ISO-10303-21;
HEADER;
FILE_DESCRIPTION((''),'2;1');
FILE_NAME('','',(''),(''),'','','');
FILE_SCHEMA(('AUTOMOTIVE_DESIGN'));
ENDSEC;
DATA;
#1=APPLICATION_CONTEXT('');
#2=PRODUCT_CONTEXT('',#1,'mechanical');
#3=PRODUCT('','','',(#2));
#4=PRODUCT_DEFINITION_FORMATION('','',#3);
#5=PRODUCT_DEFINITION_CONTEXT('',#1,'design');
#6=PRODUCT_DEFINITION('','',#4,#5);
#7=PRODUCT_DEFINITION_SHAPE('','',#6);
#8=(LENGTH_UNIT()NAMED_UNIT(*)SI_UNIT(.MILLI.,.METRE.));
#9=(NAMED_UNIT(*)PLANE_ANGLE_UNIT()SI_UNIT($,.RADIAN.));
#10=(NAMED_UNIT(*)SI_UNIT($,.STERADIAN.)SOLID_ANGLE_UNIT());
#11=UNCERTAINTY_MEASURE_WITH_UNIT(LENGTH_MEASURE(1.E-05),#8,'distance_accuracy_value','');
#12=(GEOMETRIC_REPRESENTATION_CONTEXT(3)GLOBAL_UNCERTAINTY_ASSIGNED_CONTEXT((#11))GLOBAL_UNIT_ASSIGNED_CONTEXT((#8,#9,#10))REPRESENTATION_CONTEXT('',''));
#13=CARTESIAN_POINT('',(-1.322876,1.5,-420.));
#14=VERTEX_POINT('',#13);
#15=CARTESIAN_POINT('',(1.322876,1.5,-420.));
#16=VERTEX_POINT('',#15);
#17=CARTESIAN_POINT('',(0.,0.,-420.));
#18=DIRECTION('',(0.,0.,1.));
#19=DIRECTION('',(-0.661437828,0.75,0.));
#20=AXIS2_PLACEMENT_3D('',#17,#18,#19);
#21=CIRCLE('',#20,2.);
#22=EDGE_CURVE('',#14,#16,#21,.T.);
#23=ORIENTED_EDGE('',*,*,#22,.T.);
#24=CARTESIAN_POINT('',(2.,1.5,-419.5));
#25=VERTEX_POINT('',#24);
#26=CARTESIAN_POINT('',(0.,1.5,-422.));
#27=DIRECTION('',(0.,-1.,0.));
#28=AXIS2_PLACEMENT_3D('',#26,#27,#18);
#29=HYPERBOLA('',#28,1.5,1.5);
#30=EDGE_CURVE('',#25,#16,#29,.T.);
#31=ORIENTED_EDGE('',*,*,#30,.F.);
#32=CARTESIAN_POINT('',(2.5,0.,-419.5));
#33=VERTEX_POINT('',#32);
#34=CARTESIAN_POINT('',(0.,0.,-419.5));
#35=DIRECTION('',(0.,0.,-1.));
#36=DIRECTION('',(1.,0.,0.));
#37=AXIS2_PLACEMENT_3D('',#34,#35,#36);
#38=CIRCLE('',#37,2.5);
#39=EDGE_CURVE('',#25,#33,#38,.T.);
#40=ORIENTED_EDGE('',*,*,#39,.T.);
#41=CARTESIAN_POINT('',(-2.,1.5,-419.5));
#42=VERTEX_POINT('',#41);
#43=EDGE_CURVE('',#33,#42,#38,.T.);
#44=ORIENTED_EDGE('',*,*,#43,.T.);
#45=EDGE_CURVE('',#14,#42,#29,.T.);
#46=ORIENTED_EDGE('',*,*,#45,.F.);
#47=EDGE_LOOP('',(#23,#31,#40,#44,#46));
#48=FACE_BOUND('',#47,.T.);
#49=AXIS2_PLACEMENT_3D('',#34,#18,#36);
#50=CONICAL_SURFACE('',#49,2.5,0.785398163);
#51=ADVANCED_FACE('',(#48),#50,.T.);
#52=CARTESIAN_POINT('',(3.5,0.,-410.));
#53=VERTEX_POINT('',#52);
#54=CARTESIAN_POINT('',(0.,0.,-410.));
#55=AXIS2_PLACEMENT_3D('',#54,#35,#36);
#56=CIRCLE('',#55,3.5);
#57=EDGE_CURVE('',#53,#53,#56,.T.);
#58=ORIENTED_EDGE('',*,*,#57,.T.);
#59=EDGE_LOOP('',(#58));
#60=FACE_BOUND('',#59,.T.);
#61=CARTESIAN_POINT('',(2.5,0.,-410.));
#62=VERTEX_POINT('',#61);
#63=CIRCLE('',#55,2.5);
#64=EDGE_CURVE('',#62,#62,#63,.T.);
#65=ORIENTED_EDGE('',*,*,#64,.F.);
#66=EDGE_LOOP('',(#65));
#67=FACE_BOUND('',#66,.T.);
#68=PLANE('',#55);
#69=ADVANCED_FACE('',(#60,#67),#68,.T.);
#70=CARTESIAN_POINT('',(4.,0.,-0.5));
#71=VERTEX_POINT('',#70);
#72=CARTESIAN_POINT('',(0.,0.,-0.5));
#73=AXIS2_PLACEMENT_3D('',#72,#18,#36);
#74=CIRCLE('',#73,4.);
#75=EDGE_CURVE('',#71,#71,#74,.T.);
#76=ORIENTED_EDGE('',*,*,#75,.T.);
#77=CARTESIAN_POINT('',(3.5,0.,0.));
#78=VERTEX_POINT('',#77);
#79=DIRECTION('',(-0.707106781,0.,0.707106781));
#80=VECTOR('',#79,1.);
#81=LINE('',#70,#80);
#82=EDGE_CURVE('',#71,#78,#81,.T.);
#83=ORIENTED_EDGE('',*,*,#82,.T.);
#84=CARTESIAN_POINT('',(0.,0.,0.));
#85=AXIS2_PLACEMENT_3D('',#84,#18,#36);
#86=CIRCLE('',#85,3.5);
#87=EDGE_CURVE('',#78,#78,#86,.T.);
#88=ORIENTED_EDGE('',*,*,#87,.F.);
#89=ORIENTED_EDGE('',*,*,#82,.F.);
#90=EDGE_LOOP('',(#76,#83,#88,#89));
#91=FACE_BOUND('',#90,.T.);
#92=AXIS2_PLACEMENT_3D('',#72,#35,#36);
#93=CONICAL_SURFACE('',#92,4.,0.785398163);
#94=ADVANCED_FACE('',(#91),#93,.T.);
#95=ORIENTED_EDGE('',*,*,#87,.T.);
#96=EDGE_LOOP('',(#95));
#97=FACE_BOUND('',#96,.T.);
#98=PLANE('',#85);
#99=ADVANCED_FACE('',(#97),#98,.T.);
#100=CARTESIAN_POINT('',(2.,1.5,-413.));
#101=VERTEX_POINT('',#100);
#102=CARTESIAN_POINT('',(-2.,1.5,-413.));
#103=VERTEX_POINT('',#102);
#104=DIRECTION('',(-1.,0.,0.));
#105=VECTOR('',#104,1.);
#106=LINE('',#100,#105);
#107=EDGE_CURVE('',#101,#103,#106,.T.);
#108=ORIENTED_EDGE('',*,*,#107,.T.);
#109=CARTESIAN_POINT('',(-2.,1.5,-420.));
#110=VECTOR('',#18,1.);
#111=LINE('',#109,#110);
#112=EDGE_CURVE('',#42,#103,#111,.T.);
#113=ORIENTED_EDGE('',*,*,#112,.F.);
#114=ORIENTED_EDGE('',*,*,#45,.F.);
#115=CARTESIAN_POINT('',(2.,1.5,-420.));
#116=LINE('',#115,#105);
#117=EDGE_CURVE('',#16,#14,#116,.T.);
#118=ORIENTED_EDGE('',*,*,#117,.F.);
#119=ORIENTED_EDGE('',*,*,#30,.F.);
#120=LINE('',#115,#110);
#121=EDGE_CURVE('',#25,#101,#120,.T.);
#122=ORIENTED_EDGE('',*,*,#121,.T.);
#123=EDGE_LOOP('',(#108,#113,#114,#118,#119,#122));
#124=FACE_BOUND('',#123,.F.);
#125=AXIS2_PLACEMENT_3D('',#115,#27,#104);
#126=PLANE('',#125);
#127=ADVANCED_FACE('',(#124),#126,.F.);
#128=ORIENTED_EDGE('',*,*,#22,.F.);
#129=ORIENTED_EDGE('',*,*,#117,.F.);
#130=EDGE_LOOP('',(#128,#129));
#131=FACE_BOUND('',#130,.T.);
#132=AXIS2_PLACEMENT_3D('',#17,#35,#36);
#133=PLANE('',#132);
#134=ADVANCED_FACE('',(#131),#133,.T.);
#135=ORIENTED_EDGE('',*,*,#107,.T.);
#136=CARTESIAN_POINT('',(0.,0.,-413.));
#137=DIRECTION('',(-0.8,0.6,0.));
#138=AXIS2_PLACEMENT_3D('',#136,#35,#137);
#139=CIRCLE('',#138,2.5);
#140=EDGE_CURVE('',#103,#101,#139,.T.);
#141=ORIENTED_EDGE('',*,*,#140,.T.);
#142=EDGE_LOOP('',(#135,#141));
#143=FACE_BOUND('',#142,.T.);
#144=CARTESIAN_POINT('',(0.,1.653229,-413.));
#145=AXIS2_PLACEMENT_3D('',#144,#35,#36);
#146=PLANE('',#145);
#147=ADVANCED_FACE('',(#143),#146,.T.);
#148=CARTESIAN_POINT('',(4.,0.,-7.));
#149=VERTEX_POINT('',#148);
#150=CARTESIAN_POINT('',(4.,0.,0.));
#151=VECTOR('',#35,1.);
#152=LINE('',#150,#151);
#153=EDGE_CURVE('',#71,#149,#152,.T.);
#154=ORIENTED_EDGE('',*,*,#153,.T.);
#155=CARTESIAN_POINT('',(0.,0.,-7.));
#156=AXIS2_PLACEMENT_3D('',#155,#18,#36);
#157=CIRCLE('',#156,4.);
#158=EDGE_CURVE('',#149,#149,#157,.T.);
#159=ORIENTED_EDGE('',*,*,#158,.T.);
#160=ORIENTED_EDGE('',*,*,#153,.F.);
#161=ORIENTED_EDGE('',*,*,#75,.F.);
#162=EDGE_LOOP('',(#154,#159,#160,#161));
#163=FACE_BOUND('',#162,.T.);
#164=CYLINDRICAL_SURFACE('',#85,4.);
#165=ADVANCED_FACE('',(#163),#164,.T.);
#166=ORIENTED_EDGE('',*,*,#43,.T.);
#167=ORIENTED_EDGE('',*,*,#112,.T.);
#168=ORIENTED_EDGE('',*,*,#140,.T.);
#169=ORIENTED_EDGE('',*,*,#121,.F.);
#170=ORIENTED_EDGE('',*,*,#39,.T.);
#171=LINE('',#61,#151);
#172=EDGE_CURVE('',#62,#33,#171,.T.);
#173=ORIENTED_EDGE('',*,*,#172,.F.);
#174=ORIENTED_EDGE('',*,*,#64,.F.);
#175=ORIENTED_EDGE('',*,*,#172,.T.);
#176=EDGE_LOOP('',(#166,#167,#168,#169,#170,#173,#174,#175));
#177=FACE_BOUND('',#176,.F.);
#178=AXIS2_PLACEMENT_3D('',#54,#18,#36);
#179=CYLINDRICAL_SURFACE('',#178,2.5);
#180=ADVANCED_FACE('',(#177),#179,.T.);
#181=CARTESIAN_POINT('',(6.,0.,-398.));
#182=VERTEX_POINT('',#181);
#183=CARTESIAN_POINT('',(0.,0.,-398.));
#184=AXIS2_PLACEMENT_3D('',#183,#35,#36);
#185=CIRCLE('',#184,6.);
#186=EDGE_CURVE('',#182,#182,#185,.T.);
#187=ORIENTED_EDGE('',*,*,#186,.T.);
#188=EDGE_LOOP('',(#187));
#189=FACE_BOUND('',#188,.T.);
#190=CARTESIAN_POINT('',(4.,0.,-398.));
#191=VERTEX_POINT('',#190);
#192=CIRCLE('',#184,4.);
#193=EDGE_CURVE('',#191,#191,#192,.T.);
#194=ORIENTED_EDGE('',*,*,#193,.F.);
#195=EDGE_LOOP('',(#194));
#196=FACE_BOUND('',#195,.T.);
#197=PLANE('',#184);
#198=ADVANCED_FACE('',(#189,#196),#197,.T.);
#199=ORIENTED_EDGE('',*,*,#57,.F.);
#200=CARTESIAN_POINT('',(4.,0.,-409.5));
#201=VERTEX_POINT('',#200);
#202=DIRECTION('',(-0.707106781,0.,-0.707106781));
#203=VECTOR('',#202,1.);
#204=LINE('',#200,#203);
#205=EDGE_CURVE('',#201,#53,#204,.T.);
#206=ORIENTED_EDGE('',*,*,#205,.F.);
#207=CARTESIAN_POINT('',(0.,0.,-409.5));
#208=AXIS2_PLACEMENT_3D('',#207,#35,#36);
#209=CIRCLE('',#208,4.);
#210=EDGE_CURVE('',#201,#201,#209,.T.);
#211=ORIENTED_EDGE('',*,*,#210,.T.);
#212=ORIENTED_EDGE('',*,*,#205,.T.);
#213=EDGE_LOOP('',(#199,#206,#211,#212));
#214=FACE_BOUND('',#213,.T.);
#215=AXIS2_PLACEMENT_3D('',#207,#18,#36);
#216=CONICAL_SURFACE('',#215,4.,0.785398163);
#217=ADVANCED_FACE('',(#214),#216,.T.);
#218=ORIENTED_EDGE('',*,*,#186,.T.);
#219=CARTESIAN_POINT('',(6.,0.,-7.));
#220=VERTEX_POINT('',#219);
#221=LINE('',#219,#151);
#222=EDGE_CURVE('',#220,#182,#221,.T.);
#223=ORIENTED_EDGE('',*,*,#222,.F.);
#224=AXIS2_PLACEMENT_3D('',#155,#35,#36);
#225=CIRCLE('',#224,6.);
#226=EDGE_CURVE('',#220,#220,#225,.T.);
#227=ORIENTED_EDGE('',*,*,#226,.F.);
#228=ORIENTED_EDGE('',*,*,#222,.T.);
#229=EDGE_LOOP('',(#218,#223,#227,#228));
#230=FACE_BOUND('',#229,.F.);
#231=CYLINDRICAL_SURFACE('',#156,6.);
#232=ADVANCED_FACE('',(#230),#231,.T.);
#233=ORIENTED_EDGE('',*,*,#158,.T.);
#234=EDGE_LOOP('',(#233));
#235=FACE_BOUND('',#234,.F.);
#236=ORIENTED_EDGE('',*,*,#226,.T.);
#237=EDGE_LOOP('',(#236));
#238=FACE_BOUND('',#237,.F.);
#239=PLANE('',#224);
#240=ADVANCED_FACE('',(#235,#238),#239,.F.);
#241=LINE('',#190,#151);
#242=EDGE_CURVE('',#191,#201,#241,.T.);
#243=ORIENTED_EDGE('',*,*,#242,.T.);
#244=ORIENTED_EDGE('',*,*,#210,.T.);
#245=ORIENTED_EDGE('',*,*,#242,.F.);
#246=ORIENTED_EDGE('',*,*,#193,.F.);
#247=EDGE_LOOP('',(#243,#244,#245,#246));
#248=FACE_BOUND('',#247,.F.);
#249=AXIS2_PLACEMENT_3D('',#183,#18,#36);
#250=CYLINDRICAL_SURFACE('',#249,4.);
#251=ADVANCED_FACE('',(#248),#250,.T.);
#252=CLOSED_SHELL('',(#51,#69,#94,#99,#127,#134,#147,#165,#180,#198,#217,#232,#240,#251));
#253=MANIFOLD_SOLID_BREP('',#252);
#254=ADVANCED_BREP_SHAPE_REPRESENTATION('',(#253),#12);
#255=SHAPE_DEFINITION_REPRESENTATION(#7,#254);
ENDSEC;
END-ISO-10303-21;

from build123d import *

# Parameters (mm, degrees)
F0_R      = 4
F1_DEPTH  = 7
F2_SIZE   = 0.5
F3_R      = 6
F4_DEPTH  = 391
F5_R      = 4
F6_DEPTH  = 12
F7_SIZE   = 0.5
F8_R      = 2.5
F9_DEPTH  = 10
F10_SIZE  = 0.5
F12_DEPTH = 7


with BuildPart() as f1:
    # F0 (on Top) → F1 (new body)
    with BuildSketch(Plane.XY):
        Circle(F0_R)
    extrude(amount=-F1_DEPTH)

    # F2
    f2_edges = [f1.edges().sort_by_distance(p)[0] for p in [
        (-4, 0, 0),
    ]]
    chamfer(f2_edges, length=F2_SIZE)

    # F3 (on face) → F4 (join)
    with BuildSketch(Plane(origin=(0, 0, -7), x_dir=(1, 0, 0), z_dir=(0, 0, -1))):
        Circle(F3_R)
    extrude(amount=F4_DEPTH)

    # F5 (on face) → F6 (join)
    with BuildSketch(Plane(origin=(0, 0, -398), x_dir=(1, 0, 0), z_dir=(0, 0, -1))):
        Circle(F5_R)
    extrude(amount=F6_DEPTH)

    # F7
    f7_edges = [f1.edges().sort_by_distance(p)[0] for p in [
        (-4, 0, -410),
    ]]
    chamfer(f7_edges, length=F7_SIZE)

    # F8 (on face) → F9 (join)
    with BuildSketch(Plane(origin=(0, 0, -410), x_dir=(1, 0, 0), z_dir=(0, 0, -1))):
        Circle(F8_R)
    extrude(amount=F9_DEPTH)

    # F10
    f10_edges = [f1.edges().sort_by_distance(p)[0] for p in [
        (-2.5, 0, -420),
    ]]
    chamfer(f10_edges, length=F10_SIZE)

    # F11 (on face) → F12 (cut)
    with BuildSketch(Plane(origin=(0, 0, -420), x_dir=(1, 0, 0), z_dir=(0, 0, -1))):
        with BuildLine():
            Line((1.3228756555, -1.5), (-1.3228756555, -1.5))
            ThreePointArc((-1.3228756555, -1.5), (0, -2), (1.3228756555, -1.5))
        make_face()
        with BuildLine():
            Line((-1.3228756555, -1.5), (-2, -1.5))
            ThreePointArc((-2, -1.5), (0, -2.5), (2, -1.5))
            Line((2, -1.5), (1.3228756555, -1.5))
            ThreePointArc((1.3228756555, -1.5), (0, -2), (-1.3228756555, -1.5))
        make_face()
    extrude(amount=-F12_DEPTH, mode=Mode.SUBTRACT)


solid = f1.part
